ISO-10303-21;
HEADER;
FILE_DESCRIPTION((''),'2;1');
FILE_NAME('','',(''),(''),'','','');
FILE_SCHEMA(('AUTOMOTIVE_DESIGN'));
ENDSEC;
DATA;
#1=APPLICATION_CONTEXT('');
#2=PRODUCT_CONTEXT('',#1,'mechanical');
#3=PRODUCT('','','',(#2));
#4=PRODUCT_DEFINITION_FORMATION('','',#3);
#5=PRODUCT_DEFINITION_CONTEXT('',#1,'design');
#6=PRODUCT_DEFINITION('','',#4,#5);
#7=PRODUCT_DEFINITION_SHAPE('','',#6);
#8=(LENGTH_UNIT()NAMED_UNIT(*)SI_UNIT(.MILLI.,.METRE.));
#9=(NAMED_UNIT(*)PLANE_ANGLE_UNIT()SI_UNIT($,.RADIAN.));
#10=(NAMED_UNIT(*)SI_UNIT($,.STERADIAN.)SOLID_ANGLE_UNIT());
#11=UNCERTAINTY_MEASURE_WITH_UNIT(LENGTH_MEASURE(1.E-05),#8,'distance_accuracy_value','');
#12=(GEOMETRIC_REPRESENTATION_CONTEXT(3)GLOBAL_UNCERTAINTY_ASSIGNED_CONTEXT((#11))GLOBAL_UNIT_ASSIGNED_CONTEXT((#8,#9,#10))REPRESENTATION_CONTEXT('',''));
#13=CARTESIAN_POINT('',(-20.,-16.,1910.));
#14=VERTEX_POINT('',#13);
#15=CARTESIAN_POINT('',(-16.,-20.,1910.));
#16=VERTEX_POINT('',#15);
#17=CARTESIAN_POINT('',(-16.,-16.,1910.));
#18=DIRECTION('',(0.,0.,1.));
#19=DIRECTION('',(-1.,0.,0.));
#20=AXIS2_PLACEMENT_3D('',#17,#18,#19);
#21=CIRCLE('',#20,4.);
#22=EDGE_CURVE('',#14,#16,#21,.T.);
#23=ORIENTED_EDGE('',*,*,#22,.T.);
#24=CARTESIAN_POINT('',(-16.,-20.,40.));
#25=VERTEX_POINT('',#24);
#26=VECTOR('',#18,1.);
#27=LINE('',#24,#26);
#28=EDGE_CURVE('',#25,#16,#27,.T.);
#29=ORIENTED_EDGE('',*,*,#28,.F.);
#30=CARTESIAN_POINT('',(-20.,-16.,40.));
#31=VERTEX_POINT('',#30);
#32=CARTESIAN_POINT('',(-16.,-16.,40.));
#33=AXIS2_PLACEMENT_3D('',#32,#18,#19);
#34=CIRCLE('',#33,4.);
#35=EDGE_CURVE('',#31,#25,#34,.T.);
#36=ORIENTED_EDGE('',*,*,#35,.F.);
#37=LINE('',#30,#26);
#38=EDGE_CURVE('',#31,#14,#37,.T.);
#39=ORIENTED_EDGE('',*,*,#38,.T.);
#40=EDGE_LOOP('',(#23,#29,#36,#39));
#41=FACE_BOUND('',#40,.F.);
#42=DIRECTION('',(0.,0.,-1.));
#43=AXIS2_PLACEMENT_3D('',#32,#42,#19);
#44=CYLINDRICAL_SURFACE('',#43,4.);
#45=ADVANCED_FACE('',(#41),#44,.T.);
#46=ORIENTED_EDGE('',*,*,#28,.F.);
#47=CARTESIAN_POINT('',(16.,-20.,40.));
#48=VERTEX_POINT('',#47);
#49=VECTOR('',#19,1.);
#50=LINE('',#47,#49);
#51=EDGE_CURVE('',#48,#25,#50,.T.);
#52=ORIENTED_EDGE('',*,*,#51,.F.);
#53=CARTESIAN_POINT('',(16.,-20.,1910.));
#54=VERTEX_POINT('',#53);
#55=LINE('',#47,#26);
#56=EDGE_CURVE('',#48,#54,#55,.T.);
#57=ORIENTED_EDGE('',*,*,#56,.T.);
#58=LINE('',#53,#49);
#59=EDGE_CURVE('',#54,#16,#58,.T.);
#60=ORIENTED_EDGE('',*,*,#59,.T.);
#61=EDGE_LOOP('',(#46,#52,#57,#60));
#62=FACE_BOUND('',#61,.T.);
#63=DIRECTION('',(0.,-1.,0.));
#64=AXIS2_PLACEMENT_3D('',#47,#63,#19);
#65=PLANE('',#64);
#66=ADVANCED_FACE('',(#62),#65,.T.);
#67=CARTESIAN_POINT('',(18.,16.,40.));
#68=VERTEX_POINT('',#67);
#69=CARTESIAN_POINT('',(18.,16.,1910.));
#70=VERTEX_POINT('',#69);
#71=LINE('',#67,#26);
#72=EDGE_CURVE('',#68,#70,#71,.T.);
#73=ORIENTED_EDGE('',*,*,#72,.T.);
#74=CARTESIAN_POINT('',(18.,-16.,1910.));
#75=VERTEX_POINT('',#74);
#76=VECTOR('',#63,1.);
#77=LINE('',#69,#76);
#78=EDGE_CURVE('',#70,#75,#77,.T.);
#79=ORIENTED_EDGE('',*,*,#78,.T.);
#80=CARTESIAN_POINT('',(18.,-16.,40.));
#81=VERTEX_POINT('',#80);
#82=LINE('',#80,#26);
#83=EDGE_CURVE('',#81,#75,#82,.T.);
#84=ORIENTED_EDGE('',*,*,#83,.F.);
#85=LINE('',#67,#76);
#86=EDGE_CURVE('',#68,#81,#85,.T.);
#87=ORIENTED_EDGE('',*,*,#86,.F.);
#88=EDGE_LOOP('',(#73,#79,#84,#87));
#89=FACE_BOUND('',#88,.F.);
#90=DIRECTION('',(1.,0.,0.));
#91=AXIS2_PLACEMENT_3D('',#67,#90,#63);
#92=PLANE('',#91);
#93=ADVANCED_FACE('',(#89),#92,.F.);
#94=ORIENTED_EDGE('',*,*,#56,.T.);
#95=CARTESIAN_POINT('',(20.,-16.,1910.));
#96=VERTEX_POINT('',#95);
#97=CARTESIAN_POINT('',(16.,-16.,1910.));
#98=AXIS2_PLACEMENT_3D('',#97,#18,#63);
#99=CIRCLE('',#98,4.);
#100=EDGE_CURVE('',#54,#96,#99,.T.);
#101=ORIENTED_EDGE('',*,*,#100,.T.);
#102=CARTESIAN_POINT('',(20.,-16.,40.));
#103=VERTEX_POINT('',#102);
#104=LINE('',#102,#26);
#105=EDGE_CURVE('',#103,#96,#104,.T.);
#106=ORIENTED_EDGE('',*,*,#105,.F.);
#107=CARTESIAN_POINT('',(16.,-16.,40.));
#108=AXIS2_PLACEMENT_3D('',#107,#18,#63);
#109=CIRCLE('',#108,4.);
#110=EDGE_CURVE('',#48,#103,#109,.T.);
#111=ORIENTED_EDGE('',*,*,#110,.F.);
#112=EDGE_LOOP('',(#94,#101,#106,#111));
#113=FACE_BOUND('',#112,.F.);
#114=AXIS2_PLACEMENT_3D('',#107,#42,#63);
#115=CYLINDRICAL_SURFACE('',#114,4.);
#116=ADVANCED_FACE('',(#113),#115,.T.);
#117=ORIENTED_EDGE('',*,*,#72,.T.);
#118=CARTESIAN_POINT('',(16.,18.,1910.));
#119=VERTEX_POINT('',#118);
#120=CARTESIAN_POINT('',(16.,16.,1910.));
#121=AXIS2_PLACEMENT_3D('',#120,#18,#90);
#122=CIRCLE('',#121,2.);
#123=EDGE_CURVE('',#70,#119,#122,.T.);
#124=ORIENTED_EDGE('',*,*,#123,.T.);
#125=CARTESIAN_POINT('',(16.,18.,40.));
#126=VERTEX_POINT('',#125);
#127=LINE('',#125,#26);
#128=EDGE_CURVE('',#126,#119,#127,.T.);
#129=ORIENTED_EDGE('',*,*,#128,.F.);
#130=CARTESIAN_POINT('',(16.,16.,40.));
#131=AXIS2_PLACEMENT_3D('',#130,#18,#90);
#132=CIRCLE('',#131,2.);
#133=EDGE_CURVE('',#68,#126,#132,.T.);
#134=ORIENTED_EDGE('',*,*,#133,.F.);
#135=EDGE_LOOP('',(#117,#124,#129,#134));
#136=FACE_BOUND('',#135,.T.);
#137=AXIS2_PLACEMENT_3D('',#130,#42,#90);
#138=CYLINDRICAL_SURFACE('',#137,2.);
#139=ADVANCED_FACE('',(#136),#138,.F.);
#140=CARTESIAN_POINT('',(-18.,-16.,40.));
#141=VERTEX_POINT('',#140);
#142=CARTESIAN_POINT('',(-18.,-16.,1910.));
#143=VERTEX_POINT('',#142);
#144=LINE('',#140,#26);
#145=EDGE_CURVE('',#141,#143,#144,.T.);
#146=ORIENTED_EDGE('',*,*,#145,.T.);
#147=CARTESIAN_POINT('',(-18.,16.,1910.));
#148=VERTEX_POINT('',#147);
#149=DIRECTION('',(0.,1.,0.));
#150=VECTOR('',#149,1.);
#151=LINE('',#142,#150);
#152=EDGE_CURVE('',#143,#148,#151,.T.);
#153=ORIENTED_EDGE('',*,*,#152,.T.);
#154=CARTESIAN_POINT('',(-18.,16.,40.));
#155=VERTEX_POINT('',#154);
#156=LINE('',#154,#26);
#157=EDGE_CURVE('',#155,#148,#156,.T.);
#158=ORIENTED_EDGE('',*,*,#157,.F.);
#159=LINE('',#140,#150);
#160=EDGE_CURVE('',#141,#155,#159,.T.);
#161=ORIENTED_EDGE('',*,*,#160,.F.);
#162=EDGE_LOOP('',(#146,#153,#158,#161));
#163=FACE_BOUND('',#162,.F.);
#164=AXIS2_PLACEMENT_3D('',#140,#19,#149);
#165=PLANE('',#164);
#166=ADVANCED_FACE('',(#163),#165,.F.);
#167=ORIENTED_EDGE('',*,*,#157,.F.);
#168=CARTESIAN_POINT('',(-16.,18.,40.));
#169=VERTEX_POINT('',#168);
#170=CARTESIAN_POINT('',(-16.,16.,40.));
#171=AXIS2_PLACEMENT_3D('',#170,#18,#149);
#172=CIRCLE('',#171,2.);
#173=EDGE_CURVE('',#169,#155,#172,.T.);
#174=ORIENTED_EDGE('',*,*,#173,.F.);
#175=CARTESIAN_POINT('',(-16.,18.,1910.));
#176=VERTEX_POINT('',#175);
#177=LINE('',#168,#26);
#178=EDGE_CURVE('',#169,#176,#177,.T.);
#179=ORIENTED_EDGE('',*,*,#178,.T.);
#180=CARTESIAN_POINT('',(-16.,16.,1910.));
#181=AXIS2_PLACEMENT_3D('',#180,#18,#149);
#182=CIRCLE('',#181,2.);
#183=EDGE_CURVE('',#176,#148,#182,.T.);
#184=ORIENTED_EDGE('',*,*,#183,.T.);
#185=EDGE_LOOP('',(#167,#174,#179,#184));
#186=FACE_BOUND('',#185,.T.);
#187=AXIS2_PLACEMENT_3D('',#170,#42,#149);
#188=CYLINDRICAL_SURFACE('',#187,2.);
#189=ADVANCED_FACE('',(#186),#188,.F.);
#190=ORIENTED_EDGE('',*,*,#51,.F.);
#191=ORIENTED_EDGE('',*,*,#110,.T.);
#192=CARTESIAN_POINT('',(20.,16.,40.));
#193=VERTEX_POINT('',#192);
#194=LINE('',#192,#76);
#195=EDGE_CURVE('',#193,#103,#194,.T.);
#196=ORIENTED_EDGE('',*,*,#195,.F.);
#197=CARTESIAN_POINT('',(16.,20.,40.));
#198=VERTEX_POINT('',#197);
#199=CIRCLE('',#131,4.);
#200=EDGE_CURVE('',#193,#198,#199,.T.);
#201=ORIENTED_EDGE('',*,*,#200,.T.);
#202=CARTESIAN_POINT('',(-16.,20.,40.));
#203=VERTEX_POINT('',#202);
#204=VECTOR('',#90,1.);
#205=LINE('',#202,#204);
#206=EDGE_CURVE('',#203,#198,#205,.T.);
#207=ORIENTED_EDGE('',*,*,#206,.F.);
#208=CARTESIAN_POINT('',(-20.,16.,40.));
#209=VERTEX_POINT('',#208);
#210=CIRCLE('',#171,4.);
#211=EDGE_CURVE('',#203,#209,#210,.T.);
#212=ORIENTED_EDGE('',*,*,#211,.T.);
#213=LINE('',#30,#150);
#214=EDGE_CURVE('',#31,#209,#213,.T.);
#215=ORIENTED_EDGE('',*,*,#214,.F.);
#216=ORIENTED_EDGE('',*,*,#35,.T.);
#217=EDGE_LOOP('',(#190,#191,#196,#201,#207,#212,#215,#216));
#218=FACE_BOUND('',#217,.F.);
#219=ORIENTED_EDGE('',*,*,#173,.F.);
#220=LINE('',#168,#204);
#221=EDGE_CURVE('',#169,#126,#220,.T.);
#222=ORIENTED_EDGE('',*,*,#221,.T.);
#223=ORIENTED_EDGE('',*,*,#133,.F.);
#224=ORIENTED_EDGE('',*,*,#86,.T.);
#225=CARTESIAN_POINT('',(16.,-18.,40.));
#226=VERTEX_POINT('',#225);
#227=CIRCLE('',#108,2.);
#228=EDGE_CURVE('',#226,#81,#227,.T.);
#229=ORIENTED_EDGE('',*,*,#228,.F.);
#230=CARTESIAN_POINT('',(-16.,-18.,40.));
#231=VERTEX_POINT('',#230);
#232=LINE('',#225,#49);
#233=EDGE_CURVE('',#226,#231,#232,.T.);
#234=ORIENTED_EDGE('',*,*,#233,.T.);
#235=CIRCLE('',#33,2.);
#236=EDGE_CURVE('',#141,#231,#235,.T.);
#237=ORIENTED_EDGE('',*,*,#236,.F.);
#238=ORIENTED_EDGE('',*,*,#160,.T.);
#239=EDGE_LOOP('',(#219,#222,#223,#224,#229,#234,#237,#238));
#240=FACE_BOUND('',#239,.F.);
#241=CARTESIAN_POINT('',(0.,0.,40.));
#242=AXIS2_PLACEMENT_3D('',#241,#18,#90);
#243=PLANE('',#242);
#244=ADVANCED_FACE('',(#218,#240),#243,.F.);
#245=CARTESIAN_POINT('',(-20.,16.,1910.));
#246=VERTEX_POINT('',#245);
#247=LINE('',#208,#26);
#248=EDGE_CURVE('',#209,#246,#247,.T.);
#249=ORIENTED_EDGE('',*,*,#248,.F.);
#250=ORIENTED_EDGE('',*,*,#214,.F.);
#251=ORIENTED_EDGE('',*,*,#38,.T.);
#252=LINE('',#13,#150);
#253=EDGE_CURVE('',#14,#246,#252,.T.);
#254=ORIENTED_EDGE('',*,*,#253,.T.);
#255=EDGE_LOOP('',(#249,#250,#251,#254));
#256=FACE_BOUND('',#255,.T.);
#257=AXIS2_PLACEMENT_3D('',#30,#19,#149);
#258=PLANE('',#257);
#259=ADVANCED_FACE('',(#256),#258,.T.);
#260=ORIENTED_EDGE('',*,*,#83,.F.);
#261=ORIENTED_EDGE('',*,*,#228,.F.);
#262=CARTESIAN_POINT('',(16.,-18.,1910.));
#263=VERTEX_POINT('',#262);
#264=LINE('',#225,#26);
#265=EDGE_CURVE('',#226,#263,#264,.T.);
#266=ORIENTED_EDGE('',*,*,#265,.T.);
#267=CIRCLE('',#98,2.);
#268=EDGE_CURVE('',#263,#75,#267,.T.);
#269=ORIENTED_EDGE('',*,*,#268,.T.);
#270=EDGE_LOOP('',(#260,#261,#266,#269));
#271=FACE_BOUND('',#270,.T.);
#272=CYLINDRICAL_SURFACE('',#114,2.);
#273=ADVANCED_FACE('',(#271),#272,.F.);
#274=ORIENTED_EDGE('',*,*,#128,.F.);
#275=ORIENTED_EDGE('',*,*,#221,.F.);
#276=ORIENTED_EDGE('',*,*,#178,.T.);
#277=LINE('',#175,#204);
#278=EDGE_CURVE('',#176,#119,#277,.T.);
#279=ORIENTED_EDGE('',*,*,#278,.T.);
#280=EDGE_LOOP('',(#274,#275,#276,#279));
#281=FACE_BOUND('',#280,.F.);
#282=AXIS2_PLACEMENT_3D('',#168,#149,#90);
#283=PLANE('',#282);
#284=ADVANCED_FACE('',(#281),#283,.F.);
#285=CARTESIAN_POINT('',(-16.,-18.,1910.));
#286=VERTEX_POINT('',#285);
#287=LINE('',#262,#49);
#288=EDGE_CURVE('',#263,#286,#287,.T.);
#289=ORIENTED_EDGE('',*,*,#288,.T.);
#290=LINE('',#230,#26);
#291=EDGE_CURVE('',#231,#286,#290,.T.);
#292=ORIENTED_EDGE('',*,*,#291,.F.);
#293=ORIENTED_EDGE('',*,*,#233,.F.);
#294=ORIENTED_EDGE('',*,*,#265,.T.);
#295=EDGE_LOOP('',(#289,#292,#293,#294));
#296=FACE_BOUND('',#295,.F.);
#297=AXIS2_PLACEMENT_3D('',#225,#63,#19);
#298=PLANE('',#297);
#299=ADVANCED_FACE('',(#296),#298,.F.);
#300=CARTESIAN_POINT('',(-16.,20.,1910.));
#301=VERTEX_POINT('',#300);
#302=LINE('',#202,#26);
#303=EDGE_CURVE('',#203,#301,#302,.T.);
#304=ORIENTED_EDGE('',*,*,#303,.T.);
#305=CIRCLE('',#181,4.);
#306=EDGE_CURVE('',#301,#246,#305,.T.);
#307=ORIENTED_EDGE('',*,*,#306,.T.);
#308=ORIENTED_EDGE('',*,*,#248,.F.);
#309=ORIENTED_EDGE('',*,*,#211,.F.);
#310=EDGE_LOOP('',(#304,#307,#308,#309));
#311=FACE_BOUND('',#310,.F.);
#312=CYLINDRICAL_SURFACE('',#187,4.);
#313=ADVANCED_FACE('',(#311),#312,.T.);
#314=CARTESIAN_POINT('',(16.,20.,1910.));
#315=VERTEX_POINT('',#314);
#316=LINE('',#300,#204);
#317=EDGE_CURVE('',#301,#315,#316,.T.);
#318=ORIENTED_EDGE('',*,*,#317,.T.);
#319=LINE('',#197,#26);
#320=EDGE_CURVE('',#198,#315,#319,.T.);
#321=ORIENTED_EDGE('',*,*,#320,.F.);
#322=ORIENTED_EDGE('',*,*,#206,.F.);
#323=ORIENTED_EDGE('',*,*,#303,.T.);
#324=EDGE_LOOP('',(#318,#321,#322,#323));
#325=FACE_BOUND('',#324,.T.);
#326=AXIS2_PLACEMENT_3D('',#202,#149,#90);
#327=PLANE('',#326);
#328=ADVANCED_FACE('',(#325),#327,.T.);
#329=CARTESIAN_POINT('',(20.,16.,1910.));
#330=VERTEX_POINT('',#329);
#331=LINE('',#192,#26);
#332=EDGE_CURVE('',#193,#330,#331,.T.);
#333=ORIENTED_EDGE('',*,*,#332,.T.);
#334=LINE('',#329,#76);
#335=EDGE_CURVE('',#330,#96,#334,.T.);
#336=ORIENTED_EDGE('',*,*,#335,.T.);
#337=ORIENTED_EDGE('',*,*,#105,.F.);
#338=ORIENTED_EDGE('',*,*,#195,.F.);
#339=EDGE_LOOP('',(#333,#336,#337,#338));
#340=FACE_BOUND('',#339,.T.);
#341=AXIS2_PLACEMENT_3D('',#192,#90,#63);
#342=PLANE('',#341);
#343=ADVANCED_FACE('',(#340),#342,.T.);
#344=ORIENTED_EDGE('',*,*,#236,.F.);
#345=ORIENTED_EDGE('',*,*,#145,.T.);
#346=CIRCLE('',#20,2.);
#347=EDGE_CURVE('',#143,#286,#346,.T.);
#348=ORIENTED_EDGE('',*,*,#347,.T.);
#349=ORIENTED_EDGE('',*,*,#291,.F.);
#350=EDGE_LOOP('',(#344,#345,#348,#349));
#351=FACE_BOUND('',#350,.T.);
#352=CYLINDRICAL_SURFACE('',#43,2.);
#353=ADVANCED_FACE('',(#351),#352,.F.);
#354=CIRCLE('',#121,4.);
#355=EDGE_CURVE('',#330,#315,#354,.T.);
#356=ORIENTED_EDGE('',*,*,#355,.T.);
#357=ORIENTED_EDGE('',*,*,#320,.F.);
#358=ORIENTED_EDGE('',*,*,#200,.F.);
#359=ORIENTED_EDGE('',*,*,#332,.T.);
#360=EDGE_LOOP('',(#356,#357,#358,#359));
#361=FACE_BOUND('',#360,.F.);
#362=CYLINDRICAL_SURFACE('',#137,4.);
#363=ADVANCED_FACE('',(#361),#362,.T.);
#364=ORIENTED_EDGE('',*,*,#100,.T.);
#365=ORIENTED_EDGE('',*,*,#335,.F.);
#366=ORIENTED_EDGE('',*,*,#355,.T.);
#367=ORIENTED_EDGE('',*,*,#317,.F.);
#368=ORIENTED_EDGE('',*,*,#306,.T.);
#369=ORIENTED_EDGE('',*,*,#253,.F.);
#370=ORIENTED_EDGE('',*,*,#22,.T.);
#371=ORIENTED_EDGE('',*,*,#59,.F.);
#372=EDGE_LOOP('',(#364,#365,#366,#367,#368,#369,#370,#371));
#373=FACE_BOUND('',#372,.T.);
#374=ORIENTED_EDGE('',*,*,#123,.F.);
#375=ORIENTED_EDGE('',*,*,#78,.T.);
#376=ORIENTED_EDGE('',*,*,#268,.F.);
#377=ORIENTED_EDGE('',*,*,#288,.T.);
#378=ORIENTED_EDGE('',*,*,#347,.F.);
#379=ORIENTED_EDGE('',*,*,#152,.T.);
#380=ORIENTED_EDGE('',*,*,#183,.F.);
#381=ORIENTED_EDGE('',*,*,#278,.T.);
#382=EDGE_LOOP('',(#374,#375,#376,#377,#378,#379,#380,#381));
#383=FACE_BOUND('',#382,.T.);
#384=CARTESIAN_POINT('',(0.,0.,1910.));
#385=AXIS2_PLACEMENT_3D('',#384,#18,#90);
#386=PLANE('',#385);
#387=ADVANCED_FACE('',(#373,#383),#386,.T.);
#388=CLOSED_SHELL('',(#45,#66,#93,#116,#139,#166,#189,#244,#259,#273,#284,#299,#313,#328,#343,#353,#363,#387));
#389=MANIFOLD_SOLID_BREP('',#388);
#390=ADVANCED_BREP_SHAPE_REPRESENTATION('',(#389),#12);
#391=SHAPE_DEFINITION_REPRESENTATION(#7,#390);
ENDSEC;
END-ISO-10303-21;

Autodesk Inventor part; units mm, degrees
ref_plane "YZ Plane" through (0, 0, 0) normal (1, 0, 0) x (0, 1, 0)
ref_plane "Start Plane" through (0, 0, 40) normal (0, 0, 1) x (1, 0, 0)
ref_plane "End Plane" through (0, 0, 1910) normal (0, 0, 1) x (1, 0, 0)
sketch "Sketch" plane through (0, 0, 0) normal (0, 0, 1) x (1, 0, 0)
  line L0 (-20, -16) -> (-20, 16)
  line L1 (-16, 20) -> (16, 20)
  line L2 (20, 16) -> (20, -16)
  line L3 (16, -20) -> (-16, -20)
  arc A0 (-20, -16) -> (-16, -20) centre (-16, -16) ccw
  arc A1 (20, 16) -> (16, 20) centre (16, 16) ccw
  arc A2 (-16, 20) -> (-20, 16) centre (-16, 16) ccw
  arc A3 (16, -20) -> (20, -16) centre (16, -16) ccw
  arc A4 (-16, 18) -> (-18, 16) centre (-16, 16) ccw
  line L4 (-16, 18) -> (16, 18)
  arc A5 (18, 16) -> (16, 18) centre (16, 16) ccw
  line L5 (18, 16) -> (18, -16)
  arc A6 (16, -18) -> (18, -16) centre (16, -16) ccw
  line L6 (16, -18) -> (-16, -18)
  arc A7 (-18, -16) -> (-16, -18) centre (-16, -16) ccw
  line L7 (-18, -16) -> (-18, 16)
  line L8 (0, 29.1598) -> (0, -29.1598) construction
  line L9 (-29.1598, 0) -> (29.1598, 0) construction
  dimension "d7" = 4
  dimension "d9" = 40
  dimension "d11" = 40
  dimension "d12" = 2
  dimension "d15" = 20
  dimension "d16" = 20
extrude "Body" add sketch "Sketch" along normal up to surface (1870 mm away) from surface at 40
sketch "Sketch3" plane through (0, 0, 0) normal (0, 0, 1) x (1, 0, 0)
  line L0 (0, 0) -> (10, 0)
ref_plane "Work Plane3" through (0, 0, 0) normal (0, -1, 0) x (1, 0, 0)
sketch "Sketch4" plane through (0, 0, 0) normal (0, -1, 0) x (1, 0, 0)
  line L0 (-2, 40) -> (12, 40) projected
  line L1 (-2, 1910) -> (12, 1910) projected
  dimension "d18" = 1870
equation "\"d7\" = G_IR"
equation "\"d9\" = G_W"
equation "\"d11\" = G_H"
equation "\"d12\" = G_T"
equation "\"d15\" = 0.5 * d9"
equation "\"d16\" = 0.5 * d11"
equation "\"d3\" = G_L"
equation "\"G_W\" = 40"
equation "\"G_H\" = 40"
equation "\"G_T\" = 2"
equation "\"G_IR\" = 4"
equation "\"G_L\" = d18"
properties part number "ISO 10799-2 - 40x40x2 - 1870" material "Stainless Steel"
